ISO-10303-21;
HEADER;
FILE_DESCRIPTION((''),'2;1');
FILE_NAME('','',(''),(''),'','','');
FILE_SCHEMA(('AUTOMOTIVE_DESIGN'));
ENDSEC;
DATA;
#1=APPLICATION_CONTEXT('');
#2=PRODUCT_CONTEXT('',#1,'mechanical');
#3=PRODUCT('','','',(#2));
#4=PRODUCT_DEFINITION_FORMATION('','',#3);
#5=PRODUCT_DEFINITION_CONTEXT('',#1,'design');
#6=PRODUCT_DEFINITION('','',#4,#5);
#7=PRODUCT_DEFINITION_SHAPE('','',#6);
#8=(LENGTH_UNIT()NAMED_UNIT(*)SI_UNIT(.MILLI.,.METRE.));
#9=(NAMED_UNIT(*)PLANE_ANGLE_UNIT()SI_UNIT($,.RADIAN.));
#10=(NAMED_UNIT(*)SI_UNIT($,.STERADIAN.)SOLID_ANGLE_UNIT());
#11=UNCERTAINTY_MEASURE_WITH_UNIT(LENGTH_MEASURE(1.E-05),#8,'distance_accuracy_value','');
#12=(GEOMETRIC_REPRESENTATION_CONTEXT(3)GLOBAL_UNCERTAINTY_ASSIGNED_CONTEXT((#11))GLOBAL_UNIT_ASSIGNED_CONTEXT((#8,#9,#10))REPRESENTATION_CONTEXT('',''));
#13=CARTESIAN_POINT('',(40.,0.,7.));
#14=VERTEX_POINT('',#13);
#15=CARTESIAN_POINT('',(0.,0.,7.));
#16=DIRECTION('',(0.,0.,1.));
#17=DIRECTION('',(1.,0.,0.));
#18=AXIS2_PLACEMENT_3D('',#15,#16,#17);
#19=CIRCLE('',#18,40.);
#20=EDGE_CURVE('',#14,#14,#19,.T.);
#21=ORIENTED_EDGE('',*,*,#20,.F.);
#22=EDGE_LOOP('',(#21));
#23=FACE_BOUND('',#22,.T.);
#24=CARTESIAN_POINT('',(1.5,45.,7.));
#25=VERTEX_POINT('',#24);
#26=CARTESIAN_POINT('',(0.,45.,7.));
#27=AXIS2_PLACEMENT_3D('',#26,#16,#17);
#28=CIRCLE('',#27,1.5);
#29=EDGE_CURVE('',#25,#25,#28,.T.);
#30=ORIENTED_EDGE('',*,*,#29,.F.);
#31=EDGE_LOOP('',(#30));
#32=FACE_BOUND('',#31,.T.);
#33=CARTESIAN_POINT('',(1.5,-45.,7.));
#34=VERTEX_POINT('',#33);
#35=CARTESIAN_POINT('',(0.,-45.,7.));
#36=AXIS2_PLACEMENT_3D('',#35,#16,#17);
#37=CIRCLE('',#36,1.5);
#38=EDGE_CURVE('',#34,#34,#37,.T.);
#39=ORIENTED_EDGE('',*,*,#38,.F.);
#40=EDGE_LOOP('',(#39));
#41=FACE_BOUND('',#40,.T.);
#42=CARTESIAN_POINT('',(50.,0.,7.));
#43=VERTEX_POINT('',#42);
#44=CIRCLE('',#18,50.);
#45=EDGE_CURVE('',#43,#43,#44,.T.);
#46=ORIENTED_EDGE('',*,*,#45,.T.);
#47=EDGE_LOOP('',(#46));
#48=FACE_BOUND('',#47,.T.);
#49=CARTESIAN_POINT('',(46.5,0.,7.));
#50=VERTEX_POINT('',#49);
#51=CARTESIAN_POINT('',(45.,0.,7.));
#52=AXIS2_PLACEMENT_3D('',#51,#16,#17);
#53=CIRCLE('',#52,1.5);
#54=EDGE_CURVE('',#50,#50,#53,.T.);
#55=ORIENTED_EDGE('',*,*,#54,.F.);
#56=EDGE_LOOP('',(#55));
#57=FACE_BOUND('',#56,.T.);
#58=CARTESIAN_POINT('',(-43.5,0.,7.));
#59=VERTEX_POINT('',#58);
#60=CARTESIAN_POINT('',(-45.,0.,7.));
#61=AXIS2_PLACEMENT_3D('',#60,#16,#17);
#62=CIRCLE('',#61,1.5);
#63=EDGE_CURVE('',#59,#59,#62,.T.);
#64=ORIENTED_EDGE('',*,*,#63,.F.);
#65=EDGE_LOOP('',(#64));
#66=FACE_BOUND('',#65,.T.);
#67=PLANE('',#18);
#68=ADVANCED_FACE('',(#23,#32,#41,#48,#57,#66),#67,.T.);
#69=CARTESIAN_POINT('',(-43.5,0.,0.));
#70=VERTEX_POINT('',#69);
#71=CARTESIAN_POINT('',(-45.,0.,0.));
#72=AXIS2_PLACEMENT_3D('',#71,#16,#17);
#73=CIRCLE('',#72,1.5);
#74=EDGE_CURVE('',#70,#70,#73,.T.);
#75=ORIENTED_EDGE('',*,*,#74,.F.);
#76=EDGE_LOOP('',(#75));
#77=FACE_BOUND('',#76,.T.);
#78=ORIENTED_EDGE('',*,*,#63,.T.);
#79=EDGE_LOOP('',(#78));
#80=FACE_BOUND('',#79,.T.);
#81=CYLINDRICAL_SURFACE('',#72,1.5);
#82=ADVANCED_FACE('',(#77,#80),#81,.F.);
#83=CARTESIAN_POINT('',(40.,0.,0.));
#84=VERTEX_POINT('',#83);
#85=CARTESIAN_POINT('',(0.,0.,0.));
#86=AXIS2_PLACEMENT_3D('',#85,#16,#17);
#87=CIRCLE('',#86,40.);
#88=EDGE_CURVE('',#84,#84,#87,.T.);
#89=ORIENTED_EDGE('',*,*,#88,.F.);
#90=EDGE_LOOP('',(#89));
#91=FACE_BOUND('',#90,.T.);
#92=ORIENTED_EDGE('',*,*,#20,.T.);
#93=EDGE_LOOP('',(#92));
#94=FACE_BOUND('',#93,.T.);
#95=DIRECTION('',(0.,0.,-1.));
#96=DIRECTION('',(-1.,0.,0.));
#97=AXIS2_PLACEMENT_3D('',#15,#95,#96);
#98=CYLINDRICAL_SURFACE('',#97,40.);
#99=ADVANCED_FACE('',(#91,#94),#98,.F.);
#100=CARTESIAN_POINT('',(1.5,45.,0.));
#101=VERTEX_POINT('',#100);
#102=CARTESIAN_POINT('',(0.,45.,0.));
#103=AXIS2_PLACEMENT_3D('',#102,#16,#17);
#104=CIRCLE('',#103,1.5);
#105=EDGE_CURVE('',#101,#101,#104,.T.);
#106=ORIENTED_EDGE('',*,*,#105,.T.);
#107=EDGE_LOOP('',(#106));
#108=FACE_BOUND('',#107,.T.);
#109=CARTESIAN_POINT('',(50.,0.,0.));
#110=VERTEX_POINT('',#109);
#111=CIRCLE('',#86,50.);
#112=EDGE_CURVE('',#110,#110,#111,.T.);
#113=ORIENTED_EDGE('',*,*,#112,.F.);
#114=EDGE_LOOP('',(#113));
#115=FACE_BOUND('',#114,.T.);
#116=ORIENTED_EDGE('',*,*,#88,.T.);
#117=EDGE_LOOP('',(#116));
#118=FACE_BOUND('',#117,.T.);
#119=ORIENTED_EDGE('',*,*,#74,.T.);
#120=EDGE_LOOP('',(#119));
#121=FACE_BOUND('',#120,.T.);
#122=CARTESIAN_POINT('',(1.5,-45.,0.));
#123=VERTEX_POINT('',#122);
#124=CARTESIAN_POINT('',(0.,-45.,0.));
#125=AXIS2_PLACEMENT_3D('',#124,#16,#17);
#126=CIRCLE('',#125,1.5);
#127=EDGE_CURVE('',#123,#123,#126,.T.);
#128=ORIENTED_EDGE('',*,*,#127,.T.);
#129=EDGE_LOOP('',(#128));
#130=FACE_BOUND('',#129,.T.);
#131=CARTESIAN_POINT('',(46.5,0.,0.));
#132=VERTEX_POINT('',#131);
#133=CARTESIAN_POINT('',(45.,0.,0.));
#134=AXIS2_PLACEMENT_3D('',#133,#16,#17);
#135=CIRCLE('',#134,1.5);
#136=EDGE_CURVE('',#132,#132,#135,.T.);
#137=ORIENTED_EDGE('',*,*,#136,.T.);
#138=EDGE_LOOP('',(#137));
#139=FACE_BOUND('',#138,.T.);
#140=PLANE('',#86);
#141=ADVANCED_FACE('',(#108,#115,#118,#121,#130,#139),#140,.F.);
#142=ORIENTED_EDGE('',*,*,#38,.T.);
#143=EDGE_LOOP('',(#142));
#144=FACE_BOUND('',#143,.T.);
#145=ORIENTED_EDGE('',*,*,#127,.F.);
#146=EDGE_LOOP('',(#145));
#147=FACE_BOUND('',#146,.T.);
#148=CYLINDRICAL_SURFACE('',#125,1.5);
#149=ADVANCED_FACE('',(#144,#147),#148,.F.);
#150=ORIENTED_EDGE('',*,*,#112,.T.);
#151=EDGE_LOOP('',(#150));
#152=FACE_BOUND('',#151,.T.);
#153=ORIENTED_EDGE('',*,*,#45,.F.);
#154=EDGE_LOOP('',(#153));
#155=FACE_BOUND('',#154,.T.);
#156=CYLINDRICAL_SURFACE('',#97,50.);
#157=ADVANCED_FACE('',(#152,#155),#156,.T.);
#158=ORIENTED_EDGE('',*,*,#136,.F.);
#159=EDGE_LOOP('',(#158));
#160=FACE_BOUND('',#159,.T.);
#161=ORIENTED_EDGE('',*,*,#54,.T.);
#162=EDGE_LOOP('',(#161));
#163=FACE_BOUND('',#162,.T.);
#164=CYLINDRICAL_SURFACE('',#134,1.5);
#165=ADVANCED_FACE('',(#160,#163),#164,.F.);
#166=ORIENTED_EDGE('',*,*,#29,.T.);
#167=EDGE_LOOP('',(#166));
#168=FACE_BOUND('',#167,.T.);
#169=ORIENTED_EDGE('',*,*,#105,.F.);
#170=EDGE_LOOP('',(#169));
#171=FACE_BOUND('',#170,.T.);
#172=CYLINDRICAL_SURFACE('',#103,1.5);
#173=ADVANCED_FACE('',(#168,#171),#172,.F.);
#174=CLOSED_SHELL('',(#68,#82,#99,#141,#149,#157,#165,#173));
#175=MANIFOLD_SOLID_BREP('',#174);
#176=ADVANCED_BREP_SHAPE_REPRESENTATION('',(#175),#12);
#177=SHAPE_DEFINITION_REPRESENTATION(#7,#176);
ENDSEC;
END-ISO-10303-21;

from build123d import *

# Parameters (mm, degrees)
SKETCH1_R           = 50
SKETCH1_R_2         = 40
BOSS_EXTRUDE1_DEPTH = 7
SKETCH2_R           = 1.5
CUT_EXTRUDE1_DEPTH  = 72.056315694


with BuildPart() as part:
    # Sketch1 → Boss-Extrude1 (new body)
    with BuildSketch(Plane.XY):
        Circle(SKETCH1_R)
        Circle(SKETCH1_R_2, mode=Mode.SUBTRACT)
    extrude(amount=BOSS_EXTRUDE1_DEPTH)

    # Sketch2 → Cut-Extrude1 (cut, through all)
    with BuildSketch(Plane.XY.offset(7)):
        with Locations((0, 45)):
            Circle(SKETCH2_R)
        with Locations((0, -45)):
            Circle(SKETCH2_R)
        with Locations((-45, 0)):
            Circle(SKETCH2_R)
        with Locations((45, 0)):
            Circle(SKETCH2_R)
    extrude(amount=-CUT_EXTRUDE1_DEPTH, mode=Mode.SUBTRACT)


solid = part.part
